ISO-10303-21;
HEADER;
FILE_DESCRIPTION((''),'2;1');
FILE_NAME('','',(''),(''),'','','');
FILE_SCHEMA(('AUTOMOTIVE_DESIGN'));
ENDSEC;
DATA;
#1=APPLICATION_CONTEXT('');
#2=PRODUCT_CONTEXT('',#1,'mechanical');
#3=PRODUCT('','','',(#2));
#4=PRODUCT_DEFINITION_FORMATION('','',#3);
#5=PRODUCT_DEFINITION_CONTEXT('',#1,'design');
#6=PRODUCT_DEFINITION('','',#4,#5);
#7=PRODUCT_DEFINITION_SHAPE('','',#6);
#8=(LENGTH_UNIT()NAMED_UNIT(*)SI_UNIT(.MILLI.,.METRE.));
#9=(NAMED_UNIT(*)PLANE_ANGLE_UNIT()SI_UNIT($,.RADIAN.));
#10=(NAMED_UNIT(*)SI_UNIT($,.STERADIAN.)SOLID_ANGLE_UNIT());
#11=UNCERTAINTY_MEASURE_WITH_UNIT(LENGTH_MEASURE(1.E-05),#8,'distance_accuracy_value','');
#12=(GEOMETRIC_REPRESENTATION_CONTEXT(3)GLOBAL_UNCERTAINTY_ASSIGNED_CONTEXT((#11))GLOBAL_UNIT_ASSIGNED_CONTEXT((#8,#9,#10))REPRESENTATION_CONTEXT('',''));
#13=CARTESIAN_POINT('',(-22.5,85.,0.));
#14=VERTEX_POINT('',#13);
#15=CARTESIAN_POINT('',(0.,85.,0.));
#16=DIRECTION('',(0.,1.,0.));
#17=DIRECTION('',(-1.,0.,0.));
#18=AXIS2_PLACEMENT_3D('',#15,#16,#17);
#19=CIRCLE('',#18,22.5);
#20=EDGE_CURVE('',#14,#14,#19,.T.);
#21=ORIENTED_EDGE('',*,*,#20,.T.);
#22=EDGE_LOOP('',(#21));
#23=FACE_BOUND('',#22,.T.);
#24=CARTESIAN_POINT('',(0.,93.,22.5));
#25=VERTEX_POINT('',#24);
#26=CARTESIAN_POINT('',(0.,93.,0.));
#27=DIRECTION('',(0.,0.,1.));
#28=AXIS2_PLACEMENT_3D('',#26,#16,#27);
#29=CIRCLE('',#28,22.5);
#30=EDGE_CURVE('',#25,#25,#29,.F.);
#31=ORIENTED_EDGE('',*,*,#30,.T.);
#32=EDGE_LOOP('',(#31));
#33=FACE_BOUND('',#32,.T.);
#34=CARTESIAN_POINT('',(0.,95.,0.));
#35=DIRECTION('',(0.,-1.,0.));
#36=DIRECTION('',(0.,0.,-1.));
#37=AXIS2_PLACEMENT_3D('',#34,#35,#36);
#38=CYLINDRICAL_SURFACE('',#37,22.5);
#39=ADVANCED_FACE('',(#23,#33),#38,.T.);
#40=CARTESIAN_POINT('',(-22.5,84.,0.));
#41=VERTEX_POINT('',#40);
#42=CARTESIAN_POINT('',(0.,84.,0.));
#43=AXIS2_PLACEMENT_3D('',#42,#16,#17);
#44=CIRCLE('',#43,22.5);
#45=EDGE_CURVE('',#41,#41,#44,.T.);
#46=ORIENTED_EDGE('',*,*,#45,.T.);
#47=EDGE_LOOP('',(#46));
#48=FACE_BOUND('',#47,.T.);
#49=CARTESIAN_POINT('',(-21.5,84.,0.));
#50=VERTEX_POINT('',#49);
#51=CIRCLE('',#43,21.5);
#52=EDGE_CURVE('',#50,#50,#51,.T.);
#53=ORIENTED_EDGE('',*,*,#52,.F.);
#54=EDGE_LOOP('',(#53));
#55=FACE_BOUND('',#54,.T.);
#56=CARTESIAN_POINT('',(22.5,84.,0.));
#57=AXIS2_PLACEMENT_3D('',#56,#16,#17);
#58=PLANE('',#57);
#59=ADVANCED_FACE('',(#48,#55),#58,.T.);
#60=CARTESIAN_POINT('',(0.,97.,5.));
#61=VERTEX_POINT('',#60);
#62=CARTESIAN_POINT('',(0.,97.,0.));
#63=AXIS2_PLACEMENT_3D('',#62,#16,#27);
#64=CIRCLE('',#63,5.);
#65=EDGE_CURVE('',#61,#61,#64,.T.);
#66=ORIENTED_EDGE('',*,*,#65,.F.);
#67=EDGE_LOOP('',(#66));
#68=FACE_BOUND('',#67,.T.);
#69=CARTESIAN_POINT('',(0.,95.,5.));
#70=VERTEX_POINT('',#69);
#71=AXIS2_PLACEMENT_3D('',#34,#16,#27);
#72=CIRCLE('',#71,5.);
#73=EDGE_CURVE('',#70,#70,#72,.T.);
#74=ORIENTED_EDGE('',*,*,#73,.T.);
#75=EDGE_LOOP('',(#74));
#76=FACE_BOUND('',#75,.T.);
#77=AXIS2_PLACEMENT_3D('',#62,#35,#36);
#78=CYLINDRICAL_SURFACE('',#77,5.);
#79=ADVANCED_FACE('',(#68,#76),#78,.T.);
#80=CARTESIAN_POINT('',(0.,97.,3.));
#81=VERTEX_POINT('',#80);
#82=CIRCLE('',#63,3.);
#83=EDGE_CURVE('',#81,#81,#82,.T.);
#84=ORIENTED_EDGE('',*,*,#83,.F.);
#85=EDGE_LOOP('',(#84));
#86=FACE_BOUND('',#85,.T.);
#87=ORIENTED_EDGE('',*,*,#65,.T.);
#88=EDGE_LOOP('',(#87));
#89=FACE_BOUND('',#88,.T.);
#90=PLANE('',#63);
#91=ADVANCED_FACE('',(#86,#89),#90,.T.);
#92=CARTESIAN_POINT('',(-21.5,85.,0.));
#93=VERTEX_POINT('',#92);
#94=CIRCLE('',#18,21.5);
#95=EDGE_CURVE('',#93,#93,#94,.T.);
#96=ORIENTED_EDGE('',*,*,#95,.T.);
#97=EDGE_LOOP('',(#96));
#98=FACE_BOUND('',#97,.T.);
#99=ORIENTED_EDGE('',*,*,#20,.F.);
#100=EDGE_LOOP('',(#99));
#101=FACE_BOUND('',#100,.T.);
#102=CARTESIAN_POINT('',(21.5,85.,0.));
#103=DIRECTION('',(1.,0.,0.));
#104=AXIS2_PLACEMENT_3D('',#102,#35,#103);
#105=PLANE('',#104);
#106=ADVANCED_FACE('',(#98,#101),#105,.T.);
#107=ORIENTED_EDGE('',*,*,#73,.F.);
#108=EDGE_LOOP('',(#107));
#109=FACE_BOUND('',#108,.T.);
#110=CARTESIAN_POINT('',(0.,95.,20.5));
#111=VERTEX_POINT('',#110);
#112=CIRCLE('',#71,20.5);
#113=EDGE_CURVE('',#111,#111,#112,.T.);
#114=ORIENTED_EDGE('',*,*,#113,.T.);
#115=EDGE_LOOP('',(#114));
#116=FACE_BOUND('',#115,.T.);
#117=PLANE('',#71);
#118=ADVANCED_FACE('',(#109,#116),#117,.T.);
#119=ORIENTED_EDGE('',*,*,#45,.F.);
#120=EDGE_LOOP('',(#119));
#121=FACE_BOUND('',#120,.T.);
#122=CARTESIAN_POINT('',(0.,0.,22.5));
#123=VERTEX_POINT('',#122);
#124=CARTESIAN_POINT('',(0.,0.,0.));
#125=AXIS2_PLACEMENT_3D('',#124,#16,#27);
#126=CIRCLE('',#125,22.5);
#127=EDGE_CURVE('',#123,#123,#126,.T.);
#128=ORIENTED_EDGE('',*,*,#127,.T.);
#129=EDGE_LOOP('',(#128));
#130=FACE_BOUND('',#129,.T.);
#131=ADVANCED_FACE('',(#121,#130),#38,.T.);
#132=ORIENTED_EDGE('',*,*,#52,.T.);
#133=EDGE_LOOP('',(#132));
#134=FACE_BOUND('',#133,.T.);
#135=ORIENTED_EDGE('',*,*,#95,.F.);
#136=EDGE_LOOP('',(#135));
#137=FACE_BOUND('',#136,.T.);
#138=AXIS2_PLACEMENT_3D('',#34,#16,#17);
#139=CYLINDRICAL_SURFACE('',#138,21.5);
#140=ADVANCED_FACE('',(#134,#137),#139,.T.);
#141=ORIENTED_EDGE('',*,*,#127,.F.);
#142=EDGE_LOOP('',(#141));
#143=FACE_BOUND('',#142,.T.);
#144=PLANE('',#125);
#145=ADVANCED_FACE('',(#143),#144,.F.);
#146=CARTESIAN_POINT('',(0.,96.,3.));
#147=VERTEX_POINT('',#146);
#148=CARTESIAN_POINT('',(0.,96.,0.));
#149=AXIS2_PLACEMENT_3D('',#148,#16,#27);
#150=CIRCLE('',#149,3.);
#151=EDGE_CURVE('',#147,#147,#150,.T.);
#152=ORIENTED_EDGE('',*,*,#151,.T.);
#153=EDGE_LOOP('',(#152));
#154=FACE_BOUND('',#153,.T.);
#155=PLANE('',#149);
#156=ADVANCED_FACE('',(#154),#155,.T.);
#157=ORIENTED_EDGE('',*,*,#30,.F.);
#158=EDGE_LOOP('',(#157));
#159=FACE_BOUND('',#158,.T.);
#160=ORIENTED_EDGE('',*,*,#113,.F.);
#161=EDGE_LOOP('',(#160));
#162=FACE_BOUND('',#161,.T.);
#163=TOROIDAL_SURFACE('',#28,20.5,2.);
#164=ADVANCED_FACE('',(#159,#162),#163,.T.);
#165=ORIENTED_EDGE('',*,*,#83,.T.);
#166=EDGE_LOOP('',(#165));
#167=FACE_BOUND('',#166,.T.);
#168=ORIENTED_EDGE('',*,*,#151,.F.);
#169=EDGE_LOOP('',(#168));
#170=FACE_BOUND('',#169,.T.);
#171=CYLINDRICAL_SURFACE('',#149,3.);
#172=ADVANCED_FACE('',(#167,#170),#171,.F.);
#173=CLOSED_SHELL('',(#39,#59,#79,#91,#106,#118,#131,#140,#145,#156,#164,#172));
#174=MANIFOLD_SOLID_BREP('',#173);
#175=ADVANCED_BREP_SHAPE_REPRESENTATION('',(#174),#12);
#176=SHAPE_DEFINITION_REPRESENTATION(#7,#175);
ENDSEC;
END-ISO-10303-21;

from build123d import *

# Parameters (mm, degrees)
SKETCH_1_R          = 22.5
EXTRUDE_1_DEPTH     = 95
SKETCH_2_W          = 1
SKETCH_2_H          = 1
FILLET_1_R          = 2
SKETCH_3_R          = 5
EXTRUDE_2_DEPTH     = 2
SKETCH_4_R          = 3
CUT_EXTRUDE_1_DEPTH = 1


with BuildPart() as part:
    # Эскиз1 → Бобышка-Вытянуть1 (new body)
    with BuildSketch(Plane(origin=(0, 0, 0), x_dir=(1, 0, 0), z_dir=(0, 1, 0))):
        with Locations(Location((0, 0, 0), (0, 0, 270))):
            Circle(SKETCH_1_R)
    extrude(amount=EXTRUDE_1_DEPTH)

    # Эскиз2 → Вырез-Повернуть1 (revolve, cut)
    with BuildSketch(Plane.XY, mode=Mode.PRIVATE) as cut_revolve_1_sk:
        with Locations((22, 84.5)):
            Rectangle(SKETCH_2_W, SKETCH_2_H)
    revolve(cut_revolve_1_sk.sketch.rotate(Axis((0, 95, 0), (0, -1, 0)), 180), axis=Axis((0, 95, 0), (0, -1, 0)), mode=Mode.SUBTRACT)

    # Скругление1
    fillet_1_edges = [part.edges().sort_by_distance(p)[0] for p in [
        (0, 95, -22.5),
    ]]
    fillet(fillet_1_edges, radius=FILLET_1_R)

    # Эскиз3 → Бобышка-Вытянуть2 (add)
    with BuildSketch(Plane(origin=(0, 95, 0), x_dir=(1, 0, 0), z_dir=(0, 1, 0))):
        with Locations(Location((0, 0, 0), (0, 0, 270))):
            Circle(SKETCH_3_R)
    extrude(amount=EXTRUDE_2_DEPTH)

    # Эскиз4 → Вырез-Вытянуть1 (cut)
    with BuildSketch(Plane(origin=(0, 97, 0), x_dir=(1, 0, 0), z_dir=(0, 1, 0))):
        with Locations(Location((0, 0, 0), (0, 0, 270))):
            Circle(SKETCH_4_R)
    extrude(amount=-CUT_EXTRUDE_1_DEPTH, mode=Mode.SUBTRACT)


solid = part.part
